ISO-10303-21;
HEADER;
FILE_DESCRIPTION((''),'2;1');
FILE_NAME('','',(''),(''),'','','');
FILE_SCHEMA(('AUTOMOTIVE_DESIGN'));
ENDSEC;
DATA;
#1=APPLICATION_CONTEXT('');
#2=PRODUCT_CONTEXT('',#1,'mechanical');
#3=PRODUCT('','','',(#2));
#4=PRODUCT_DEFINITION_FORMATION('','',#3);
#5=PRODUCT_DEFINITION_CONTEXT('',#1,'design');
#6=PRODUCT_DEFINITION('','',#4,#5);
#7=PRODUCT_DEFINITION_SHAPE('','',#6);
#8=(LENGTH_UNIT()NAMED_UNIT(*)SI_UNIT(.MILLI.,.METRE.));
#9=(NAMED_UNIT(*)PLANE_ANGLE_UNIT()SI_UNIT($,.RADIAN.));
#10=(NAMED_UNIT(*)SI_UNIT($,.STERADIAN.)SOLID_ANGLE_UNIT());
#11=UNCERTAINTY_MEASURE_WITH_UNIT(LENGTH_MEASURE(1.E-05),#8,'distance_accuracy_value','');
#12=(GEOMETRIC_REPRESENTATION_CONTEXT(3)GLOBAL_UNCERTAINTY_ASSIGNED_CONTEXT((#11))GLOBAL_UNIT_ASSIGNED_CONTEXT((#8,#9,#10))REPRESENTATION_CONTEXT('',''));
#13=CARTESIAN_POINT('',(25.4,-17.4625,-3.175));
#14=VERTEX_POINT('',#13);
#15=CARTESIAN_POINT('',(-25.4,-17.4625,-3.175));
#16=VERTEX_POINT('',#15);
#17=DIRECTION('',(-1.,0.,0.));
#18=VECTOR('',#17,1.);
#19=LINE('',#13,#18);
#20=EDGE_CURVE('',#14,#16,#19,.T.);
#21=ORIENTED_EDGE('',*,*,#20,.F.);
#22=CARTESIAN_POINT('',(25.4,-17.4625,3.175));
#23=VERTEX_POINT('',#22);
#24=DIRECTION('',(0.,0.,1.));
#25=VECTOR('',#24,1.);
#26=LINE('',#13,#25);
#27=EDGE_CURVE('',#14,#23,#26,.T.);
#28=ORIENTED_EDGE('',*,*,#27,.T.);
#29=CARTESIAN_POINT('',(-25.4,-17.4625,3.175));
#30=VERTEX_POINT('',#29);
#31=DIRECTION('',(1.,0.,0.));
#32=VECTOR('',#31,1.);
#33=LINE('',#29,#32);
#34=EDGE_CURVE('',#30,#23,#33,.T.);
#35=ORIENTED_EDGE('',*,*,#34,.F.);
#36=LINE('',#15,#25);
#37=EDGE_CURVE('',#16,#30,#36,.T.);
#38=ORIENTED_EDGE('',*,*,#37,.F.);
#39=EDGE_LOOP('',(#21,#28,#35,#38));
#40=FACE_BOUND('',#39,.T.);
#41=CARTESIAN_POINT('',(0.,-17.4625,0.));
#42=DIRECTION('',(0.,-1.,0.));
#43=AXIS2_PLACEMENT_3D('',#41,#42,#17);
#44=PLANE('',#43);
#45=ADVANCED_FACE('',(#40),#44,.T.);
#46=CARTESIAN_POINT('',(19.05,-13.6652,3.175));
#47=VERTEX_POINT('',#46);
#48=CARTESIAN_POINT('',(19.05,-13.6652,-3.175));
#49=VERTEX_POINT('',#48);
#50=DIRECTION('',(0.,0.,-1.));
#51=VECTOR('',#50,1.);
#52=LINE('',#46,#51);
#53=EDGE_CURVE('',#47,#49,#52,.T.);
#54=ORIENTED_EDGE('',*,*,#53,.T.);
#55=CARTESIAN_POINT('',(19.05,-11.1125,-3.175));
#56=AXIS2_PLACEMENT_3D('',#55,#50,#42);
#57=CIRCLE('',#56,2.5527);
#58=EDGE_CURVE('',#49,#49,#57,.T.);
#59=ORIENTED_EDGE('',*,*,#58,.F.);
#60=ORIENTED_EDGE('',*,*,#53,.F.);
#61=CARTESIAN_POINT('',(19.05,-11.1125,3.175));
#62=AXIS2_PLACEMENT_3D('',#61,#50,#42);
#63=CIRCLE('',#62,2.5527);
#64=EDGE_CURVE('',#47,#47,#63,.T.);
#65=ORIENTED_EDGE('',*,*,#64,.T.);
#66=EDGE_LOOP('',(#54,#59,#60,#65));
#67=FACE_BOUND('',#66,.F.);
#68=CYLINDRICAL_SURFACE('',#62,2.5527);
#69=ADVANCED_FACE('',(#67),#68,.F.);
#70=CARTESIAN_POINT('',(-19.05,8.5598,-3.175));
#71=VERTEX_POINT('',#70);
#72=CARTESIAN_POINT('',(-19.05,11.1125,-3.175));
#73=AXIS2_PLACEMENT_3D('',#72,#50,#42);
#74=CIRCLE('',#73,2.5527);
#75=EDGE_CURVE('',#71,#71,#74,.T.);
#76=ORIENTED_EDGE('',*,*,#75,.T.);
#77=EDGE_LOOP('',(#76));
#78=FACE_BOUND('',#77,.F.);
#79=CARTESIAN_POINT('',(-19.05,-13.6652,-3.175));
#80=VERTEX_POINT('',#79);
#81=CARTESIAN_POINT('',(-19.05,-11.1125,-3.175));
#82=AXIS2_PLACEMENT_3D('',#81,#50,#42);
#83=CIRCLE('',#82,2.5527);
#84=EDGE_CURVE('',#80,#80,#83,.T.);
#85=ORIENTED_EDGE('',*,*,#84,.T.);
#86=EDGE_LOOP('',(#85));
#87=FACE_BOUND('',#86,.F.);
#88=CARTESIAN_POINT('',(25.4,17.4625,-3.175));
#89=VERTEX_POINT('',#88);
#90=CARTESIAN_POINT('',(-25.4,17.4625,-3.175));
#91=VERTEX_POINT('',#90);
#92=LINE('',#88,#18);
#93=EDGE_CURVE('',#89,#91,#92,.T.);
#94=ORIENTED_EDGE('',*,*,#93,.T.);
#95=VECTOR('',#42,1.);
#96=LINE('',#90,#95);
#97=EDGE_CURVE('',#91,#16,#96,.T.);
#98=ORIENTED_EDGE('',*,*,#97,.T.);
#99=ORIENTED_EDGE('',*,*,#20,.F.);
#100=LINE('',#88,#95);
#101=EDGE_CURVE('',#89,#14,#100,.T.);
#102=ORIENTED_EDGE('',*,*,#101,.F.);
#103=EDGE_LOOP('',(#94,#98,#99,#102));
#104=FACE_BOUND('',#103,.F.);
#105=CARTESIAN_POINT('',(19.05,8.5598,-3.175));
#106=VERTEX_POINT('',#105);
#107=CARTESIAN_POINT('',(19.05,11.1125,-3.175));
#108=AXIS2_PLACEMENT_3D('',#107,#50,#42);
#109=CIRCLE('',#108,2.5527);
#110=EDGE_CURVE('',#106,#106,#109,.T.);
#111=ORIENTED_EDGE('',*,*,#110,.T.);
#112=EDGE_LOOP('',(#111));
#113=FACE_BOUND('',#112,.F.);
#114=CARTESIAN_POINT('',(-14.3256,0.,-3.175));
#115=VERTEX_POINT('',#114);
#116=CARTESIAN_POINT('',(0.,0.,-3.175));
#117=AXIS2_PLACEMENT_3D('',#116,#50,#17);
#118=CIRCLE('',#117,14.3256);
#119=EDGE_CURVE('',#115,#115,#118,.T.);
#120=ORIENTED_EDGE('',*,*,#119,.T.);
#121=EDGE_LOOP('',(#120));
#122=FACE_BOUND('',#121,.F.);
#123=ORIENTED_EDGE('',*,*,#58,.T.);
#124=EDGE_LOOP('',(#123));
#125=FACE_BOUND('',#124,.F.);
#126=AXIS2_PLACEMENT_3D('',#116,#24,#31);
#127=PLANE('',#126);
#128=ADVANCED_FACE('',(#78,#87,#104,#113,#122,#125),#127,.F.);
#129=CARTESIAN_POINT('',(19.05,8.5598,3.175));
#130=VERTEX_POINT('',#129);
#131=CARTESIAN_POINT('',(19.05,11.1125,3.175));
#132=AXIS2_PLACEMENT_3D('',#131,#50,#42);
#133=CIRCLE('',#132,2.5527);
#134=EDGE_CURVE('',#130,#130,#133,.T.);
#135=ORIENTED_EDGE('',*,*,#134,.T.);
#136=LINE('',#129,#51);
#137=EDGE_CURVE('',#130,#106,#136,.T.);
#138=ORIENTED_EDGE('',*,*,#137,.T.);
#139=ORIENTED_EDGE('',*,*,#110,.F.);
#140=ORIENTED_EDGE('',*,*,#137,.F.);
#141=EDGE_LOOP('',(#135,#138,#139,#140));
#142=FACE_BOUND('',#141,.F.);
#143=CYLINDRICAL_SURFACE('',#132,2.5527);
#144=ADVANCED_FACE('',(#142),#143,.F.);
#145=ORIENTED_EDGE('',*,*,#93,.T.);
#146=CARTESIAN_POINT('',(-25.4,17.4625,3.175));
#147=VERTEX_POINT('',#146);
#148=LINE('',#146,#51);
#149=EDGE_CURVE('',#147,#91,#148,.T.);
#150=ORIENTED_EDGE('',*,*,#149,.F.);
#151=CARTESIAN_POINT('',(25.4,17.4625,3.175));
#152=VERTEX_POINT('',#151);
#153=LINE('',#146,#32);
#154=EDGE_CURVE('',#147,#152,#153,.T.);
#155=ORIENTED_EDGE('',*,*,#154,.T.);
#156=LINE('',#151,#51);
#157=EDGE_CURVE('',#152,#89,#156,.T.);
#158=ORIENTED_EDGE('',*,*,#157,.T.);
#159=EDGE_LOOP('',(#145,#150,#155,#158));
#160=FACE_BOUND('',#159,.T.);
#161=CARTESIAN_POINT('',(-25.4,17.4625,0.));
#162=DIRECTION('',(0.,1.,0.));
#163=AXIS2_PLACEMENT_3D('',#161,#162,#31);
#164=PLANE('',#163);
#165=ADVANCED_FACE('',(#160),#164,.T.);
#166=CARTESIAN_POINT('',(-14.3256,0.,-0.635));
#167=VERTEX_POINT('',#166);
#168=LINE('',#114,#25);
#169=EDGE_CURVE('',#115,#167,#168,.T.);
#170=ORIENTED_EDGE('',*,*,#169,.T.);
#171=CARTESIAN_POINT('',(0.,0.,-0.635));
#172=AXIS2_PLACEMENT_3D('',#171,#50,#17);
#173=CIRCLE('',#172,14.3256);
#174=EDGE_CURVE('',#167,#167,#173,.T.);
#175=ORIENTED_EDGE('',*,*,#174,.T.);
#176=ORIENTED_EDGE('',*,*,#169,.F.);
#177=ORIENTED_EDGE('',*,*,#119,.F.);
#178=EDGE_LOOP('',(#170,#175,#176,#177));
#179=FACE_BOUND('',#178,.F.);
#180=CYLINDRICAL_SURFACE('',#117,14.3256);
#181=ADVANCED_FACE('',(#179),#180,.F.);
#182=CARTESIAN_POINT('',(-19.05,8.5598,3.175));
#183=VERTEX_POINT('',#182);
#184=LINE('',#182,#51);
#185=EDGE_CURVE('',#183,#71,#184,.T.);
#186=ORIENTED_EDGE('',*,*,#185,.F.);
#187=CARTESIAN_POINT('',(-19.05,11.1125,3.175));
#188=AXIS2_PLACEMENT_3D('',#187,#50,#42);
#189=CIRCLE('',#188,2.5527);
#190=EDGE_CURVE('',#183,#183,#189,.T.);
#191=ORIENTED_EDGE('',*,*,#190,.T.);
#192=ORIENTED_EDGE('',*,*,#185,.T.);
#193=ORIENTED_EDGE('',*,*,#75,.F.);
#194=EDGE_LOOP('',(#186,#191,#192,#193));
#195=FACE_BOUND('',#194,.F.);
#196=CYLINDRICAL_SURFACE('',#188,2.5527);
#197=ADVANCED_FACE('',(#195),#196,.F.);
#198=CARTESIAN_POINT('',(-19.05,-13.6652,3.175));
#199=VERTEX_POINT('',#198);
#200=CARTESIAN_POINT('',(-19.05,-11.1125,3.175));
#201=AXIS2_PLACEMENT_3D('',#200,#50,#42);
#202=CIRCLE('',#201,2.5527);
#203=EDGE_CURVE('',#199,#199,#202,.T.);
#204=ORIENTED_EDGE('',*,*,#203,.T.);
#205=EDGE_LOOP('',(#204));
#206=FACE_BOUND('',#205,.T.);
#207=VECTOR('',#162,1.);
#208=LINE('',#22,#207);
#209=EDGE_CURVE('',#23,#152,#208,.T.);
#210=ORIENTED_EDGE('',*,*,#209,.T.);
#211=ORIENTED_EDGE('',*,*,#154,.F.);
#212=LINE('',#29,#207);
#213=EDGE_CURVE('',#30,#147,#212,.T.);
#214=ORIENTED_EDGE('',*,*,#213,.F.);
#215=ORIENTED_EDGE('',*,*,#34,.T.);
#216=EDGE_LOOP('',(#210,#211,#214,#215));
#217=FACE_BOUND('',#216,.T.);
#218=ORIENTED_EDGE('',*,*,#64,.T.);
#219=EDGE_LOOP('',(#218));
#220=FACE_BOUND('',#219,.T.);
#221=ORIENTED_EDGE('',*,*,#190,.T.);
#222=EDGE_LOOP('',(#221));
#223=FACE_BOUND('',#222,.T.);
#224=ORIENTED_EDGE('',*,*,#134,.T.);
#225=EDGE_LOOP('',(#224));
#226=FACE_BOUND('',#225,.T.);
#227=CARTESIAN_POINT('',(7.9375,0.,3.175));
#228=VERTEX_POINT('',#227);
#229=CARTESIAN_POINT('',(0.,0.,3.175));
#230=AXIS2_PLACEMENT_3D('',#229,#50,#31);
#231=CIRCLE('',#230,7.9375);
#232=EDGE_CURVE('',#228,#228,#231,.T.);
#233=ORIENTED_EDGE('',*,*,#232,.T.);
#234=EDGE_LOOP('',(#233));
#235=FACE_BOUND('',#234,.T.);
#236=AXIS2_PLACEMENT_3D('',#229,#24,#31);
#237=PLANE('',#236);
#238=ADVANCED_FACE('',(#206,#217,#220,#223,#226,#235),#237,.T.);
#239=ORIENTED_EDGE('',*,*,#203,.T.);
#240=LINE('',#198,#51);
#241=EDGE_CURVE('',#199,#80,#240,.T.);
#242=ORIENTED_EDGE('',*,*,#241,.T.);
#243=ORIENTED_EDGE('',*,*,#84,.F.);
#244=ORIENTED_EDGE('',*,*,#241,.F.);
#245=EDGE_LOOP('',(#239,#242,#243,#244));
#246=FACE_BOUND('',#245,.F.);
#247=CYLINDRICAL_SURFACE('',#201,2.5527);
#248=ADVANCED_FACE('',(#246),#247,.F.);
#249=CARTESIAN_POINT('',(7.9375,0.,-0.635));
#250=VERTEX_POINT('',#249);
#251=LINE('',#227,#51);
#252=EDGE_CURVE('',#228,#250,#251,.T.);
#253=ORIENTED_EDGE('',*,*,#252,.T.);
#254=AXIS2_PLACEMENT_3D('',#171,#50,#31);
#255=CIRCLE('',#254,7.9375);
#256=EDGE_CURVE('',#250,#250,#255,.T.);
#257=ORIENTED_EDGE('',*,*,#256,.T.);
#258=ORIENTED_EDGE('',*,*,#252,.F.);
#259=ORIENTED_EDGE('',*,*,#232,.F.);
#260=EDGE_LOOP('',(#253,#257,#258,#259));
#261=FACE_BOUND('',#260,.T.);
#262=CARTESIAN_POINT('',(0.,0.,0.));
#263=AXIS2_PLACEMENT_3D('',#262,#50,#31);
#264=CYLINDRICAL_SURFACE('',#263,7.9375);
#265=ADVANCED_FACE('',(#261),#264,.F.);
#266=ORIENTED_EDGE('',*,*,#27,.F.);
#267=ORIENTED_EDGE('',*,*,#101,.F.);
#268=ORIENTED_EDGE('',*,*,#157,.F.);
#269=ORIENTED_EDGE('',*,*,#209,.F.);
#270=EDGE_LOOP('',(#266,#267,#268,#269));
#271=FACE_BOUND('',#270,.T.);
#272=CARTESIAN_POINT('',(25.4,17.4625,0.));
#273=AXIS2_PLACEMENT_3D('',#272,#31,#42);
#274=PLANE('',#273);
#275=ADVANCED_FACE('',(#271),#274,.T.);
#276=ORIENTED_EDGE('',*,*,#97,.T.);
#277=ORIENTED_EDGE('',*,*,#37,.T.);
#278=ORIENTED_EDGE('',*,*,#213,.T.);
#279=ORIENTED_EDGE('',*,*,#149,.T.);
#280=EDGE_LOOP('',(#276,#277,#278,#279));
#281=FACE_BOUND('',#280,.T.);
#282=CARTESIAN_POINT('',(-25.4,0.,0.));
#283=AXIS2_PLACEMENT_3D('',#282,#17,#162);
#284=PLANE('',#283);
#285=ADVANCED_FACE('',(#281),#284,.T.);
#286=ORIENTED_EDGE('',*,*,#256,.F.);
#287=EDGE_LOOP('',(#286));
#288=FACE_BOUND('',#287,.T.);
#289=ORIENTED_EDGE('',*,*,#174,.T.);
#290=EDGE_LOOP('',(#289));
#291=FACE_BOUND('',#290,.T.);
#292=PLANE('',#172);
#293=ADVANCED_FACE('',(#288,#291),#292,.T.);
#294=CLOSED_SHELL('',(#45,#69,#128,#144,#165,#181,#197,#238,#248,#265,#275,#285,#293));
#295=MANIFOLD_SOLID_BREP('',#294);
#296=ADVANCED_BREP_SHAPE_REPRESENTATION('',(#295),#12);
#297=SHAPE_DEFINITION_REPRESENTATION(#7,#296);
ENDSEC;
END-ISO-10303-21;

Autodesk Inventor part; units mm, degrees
ref_plane "YZ Plane" through (0, 0, 0) normal (1, 0, 0) x (0, 1, 0)
ref_plane "XZ Plane" through (0, 0, 0) normal (0, 1, 0) x (-1, 0, 0)
ref_plane "XY Plane" through (0, 0, 0) normal (0, 0, 1) x (1, 0, 0)
sketch "Sketch1" plane through (0, 0, 0) normal (0, 0, 1) x (1, 0, 0)
  circle A0 centre (0, 0) radius 14.2875 construction
  line L0 (-35.56, 0) -> (35.56, 0) projected
  line L1 (0, -24.4475) -> (0, 24.4475) projected
  line L2 (-25.4, 17.4625) -> (25.4, 17.4625)
  line L3 (25.4, 17.4625) -> (25.4, -17.4625)
  line L4 (25.4, -17.4625) -> (-25.4, -17.4625)
  line L5 (-25.4, -17.4625) -> (-25.4, 17.4625)
  circle A1 centre (0, 0) radius 7.9375
  point P0 (0, 17.4625)
  point P1 (-25.4, 0)
  dimension "d0" = 28.575
  dimension "d1" = 50.8
  dimension "d2" = 34.925
  dimension "d3" = 15.875
extrude "Extrusion1" add sketch "Sketch1" along normal mid plane 6.35 contours L5 L2 L1 A1 L0 | L0 A1 L1 L4 L5 | L1 L2 L3 L0 A1 | A1 L0 L3 L4 L1
sketch "Sketch2" plane through (0, 0, -3.175) normal (0, 0, -1) x (-1, 0, 0)
  circle A0 centre (0, 0) radius 7.9375 projected
  circle A1 centre (0, 0) radius 14.3256
  dimension "d6" = 28.6512
extrude "Bearing seat" cut sketch "Sketch2" against normal blind 2.54
sketch "Sketch3" plane through (0, 0, 3.175) normal (0, 0, 1) x (1, 0, 0)
  line L0 (-25.4, 17.4625) -> (25.4, 17.4625) projected
  line L1 (-25.4, -17.4625) -> (-25.4, 17.4625) projected
  line L2 (-35.56, 0) -> (35.56, 0) projected
  line L3 (0, -24.4475) -> (0, 24.4475) projected
  point P0 (-19.05, 11.1125)
  point P1 (19.05, 11.1125)
  point P2 (-19.05, -11.1125)
  point P3 (19.05, -11.1125)
  dimension "d9" = 6.35
  dimension "d10" = 6.35
hole "Hole1" at (-19.05, 11.1125, 3.175) at (19.05, 11.1125, 3.175) at (-19.05, -11.1125, 3.175) at (19.05, -11.1125, 3.175) direction (0, 0, -1) diameter 5.1054 end through all clearance for "Flat Head Machine Screw (82)" size "#10" standard "Ansi Unified Screw Threads"
properties part number "mount pillow block inner bearing capture"
